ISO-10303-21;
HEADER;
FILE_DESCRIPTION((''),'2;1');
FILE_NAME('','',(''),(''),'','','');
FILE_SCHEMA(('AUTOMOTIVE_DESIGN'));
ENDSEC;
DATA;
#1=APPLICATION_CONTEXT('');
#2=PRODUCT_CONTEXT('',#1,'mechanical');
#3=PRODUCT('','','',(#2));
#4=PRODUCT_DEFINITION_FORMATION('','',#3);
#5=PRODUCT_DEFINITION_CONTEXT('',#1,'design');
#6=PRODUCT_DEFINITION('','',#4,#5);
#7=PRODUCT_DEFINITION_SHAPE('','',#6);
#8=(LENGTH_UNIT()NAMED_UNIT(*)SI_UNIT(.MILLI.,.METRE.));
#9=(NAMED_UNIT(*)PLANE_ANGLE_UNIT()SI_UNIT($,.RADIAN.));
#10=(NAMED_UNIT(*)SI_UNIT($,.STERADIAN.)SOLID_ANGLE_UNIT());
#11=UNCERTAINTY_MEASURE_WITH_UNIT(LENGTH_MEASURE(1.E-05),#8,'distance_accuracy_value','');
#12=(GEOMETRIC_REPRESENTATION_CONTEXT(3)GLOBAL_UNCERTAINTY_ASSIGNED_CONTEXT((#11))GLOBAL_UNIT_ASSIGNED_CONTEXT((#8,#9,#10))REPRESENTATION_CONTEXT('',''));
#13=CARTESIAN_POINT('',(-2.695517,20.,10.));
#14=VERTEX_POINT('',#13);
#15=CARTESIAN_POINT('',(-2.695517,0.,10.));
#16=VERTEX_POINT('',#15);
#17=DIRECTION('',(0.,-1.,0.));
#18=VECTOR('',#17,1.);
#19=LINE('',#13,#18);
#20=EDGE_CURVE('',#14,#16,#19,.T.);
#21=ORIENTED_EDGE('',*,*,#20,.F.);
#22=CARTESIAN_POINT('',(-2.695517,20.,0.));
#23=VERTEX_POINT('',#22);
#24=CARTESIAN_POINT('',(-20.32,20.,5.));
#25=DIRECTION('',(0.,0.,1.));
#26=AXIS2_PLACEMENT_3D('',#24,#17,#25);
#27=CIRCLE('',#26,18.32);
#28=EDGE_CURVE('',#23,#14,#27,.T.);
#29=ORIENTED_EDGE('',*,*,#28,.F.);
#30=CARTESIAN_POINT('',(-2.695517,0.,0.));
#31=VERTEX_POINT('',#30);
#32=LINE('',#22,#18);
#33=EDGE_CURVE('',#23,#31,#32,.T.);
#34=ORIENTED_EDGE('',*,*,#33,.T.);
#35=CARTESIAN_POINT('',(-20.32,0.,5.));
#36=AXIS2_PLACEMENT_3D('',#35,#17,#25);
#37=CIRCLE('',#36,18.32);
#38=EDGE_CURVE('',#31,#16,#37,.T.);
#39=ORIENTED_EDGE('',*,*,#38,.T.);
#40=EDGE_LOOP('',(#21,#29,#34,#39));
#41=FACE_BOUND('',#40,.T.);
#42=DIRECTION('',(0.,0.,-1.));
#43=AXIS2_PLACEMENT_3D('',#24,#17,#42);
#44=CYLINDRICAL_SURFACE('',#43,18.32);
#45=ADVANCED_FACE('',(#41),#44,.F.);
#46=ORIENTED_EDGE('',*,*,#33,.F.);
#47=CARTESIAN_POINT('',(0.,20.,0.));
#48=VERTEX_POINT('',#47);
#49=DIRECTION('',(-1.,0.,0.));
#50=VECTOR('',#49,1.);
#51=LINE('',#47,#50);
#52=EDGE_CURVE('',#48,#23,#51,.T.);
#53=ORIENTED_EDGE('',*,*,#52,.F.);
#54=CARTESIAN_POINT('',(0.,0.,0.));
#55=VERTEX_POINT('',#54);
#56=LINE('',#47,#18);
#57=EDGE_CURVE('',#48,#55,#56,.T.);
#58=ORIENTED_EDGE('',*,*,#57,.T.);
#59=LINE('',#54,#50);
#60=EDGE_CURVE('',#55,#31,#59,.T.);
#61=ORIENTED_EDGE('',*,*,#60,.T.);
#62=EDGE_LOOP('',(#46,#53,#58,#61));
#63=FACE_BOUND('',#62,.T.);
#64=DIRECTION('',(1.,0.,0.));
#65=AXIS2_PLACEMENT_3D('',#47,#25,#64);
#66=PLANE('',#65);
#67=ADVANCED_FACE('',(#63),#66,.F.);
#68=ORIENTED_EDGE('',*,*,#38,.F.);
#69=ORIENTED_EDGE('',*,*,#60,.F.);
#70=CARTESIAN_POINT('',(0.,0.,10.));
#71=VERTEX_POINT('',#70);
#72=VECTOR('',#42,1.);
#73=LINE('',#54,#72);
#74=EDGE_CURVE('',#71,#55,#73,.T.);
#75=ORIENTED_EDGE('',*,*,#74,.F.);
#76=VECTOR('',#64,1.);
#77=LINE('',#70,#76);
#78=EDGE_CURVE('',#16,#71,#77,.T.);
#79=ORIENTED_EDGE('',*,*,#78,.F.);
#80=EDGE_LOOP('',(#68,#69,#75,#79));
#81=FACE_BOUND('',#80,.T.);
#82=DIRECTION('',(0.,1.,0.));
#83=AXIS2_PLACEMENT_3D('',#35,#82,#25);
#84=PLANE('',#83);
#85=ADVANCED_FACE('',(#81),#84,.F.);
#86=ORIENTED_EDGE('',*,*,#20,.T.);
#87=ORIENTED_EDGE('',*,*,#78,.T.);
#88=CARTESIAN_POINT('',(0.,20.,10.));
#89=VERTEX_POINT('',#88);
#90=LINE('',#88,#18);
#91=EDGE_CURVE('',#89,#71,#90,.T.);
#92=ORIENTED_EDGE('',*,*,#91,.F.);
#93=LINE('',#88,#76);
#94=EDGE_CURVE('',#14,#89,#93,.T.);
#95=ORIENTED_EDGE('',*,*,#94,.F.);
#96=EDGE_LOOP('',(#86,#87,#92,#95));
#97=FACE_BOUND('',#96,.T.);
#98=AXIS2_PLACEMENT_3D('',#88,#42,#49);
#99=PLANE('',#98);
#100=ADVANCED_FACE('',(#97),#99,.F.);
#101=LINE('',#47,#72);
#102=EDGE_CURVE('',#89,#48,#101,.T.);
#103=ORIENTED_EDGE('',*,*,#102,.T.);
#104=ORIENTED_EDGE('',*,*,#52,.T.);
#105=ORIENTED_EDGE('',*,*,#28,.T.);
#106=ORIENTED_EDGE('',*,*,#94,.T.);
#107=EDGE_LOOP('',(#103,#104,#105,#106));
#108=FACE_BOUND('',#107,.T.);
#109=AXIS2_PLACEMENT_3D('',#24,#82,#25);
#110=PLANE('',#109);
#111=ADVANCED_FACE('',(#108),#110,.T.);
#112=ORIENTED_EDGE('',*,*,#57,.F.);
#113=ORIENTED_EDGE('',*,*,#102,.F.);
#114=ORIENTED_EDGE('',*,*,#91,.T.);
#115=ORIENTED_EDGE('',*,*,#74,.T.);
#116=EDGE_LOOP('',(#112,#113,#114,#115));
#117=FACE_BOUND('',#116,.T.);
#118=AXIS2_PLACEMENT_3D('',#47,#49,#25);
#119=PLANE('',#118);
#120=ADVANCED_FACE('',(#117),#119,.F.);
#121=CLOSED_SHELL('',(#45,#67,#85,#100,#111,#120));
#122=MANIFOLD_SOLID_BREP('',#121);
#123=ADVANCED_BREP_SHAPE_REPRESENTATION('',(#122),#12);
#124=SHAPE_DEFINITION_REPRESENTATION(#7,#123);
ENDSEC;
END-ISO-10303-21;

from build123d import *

# Parameters (mm, degrees)
EXTRUDE_1_DEPTH = 20


with BuildPart() as part:
    # 草图1 → 凸台-拉伸1 (new body)
    with BuildSketch(Plane(origin=(0, 0, 0), x_dir=(1, 0, 0), z_dir=(0, 1, 0))):
        with BuildLine():
            Line((0, 0), (0, -10))
            Line((0, -10), (-2.695517029, -10))
            ThreePointArc((-2.695517029, -10), (-2, -5), (-2.695517029, 0))
            Line((-2.695517029, 0), (0, 0))
        make_face()
    extrude(amount=EXTRUDE_1_DEPTH)


solid = part.part
